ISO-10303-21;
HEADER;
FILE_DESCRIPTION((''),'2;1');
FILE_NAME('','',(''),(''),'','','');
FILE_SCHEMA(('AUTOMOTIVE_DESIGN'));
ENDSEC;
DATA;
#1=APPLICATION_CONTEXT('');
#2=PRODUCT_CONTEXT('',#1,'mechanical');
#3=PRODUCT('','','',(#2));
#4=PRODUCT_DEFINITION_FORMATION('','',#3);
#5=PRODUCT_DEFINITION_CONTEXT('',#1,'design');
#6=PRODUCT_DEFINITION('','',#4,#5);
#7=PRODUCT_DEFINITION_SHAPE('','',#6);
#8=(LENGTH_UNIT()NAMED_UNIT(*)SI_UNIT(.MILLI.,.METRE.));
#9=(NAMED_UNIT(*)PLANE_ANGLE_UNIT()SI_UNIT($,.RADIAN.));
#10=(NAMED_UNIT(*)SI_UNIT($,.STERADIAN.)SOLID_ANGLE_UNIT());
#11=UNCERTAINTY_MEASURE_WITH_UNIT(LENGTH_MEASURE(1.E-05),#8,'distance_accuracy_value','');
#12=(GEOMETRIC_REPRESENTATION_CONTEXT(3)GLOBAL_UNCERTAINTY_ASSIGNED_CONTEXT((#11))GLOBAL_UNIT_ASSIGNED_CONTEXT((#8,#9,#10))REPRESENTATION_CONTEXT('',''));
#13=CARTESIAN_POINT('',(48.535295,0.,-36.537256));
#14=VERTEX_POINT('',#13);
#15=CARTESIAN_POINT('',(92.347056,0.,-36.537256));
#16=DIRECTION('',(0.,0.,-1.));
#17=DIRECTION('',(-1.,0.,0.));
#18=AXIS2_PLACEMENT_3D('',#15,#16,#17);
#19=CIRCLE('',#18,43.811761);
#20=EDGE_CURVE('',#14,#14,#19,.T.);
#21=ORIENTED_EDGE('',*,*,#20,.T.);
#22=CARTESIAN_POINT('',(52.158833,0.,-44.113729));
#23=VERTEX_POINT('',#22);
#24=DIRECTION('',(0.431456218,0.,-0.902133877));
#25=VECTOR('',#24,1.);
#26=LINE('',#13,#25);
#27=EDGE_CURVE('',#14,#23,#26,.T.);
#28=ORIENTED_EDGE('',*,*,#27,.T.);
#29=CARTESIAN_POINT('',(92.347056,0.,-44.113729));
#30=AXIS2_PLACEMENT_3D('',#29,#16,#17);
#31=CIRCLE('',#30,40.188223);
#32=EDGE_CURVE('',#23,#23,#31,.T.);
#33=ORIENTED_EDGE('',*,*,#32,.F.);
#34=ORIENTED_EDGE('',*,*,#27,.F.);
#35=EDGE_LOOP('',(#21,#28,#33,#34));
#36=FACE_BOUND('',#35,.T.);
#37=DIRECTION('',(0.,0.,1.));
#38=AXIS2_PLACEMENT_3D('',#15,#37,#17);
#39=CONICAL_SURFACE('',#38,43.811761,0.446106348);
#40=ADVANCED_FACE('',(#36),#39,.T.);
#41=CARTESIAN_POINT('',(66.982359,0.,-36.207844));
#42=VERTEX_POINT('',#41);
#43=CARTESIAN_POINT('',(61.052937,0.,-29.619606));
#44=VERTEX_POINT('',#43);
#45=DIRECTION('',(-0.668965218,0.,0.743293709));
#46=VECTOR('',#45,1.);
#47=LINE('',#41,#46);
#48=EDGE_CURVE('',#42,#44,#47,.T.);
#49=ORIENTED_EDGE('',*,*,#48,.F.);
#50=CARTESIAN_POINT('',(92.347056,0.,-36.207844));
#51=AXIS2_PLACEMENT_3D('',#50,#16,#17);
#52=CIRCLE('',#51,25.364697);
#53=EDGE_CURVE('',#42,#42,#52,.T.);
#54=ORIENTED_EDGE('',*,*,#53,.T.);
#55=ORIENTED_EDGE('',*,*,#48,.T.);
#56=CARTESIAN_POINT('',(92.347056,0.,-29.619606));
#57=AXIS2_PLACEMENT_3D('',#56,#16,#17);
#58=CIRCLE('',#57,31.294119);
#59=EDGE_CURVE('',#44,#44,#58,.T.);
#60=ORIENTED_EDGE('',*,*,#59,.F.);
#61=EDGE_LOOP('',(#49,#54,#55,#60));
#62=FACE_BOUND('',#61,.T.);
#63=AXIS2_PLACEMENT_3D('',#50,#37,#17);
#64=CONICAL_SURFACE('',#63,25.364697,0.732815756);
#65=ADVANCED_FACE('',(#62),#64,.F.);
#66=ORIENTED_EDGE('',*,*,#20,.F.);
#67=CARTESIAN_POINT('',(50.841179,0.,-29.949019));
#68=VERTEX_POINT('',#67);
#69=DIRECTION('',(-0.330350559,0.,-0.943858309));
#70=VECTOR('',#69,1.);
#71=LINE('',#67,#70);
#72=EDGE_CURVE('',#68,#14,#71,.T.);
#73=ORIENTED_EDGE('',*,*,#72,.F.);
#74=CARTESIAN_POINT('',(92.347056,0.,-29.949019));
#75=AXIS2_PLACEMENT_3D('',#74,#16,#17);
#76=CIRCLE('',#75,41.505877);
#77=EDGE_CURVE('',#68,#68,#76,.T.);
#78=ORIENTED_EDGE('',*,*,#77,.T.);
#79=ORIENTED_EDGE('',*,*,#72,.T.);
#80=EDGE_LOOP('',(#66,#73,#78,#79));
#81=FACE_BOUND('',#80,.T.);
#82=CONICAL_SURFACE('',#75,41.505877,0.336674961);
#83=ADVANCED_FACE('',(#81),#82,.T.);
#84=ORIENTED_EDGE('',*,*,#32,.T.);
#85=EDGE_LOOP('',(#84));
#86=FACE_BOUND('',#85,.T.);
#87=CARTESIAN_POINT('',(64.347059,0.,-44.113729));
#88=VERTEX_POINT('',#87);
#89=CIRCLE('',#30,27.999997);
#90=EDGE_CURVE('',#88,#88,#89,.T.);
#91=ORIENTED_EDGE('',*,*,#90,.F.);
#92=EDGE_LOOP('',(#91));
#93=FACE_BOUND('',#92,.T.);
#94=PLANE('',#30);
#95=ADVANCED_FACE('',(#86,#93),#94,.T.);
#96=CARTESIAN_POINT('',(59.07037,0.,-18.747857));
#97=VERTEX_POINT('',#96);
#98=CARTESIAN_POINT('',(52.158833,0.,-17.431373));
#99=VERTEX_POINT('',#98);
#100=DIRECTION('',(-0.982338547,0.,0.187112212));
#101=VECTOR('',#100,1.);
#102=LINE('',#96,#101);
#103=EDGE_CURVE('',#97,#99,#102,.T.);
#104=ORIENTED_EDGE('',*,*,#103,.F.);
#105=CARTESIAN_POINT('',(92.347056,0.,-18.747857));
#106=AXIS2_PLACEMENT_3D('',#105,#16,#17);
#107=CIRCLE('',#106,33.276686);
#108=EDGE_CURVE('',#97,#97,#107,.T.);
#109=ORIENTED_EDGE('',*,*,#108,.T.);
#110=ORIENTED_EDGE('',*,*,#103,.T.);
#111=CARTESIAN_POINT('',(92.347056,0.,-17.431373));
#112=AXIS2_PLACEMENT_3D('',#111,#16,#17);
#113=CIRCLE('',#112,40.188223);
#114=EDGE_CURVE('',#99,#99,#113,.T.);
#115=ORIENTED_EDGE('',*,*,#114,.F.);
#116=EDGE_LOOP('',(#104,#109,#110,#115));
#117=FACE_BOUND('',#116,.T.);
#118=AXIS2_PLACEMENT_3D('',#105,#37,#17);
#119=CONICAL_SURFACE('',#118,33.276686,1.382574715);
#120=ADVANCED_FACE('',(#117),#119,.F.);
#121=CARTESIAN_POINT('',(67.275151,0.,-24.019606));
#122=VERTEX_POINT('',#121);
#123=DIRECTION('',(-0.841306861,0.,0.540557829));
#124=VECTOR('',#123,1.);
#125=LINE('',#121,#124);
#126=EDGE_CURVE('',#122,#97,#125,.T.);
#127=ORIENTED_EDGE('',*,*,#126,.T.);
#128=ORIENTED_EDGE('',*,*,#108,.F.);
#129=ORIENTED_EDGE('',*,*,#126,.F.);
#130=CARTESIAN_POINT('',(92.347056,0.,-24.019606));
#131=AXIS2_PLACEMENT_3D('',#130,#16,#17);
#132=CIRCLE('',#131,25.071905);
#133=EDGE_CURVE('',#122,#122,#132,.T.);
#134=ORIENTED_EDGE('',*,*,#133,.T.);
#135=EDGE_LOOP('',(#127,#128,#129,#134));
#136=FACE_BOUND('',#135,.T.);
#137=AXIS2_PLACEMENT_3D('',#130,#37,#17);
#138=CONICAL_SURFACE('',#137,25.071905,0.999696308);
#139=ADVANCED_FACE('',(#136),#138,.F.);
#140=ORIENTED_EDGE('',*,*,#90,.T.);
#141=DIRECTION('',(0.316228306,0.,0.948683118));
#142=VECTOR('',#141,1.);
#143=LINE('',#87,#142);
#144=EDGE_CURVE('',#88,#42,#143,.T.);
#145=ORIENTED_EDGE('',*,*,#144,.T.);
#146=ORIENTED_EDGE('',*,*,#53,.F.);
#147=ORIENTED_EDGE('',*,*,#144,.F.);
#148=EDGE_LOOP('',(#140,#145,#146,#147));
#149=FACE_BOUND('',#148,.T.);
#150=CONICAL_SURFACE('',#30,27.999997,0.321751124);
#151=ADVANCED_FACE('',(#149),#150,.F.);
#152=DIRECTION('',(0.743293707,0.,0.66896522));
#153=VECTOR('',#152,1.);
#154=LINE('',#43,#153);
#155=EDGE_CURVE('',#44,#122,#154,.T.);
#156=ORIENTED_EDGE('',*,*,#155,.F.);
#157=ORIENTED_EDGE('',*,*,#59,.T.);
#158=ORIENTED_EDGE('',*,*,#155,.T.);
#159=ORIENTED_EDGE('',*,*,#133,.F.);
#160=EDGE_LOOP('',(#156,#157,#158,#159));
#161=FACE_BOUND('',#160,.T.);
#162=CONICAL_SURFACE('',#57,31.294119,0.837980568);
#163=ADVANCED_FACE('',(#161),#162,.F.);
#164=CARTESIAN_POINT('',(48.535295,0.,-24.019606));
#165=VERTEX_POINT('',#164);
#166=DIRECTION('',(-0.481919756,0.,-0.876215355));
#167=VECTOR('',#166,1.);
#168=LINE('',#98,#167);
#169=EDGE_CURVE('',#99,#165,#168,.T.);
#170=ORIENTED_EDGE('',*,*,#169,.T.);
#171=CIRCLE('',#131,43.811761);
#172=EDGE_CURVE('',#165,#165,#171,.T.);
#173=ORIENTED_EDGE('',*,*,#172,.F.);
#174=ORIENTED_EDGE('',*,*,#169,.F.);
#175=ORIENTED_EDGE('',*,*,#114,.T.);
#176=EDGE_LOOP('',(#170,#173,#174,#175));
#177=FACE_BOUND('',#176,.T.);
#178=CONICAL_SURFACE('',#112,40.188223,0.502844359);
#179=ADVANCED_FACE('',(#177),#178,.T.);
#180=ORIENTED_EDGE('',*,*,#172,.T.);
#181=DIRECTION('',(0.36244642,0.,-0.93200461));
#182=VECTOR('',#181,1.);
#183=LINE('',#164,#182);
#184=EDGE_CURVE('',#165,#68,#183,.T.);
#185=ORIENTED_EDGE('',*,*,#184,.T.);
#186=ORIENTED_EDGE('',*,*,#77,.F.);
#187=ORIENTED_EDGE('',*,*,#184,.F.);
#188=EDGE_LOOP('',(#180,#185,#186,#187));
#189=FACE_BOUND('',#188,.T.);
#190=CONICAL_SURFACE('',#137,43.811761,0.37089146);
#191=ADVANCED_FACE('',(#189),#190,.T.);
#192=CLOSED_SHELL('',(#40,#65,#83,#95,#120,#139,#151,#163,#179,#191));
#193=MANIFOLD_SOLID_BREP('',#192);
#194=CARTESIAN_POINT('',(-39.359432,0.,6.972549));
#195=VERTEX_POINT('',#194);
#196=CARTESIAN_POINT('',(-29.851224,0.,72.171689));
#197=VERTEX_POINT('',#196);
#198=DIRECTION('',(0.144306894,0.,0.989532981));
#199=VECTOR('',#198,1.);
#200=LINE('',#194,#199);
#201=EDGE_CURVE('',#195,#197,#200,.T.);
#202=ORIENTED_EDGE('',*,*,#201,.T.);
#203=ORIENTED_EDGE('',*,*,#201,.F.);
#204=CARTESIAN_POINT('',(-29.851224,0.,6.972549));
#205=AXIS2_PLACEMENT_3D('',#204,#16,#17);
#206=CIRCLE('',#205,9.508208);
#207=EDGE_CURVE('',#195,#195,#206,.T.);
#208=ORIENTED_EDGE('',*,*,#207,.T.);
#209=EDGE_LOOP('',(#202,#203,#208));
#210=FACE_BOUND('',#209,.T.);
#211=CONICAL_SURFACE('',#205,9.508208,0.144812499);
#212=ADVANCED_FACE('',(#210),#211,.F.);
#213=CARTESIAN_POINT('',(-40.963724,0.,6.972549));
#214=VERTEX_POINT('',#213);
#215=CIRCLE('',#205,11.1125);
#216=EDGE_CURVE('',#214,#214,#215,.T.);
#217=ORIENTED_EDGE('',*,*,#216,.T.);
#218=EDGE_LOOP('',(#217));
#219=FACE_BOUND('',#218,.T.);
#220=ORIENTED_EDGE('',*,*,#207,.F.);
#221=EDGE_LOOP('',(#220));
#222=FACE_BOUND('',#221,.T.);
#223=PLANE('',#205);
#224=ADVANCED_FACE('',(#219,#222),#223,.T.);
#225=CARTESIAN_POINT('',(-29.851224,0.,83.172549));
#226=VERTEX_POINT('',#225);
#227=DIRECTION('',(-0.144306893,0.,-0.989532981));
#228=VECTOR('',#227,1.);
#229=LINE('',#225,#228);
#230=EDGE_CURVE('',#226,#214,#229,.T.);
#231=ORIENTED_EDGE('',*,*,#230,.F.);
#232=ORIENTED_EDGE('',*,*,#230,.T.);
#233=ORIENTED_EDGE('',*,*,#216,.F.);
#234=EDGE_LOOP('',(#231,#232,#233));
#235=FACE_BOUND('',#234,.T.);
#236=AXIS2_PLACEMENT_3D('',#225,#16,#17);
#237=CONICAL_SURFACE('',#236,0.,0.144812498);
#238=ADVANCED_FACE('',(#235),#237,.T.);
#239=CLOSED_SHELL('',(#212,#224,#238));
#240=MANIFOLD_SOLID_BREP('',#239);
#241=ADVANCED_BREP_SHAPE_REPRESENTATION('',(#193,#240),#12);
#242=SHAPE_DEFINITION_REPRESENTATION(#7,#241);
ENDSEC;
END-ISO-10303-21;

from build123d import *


with BuildPart() as f1:
    # F0 (on Front) → F1 (revolve)
    with BuildSketch(Plane.XZ):
        Polygon((-29.851224, 83.172549), (-40.963724, 6.972549), (-39.359432, 6.972549), (-29.851224, 72.171689), align=None)
    revolve(axis=Axis((-29.851224, 0, 77.672119), (0, 0, -1)))


with BuildPart() as f3:
    # F2 (on Front) → F3 (revolve)
    with BuildSketch(Plane.XZ):
        Polygon((59.07037, -18.747857), (52.158833, -17.431373), (48.535295, -24.019606), (50.841179, -29.949019), (48.535295, -36.537256), (52.158833, -44.113729), (64.347059, -44.113729), (66.982359, -36.207844), (61.052937, -29.619606), (67.275151, -24.019606), align=None)
    revolve(axis=Axis((92.347056, 0, -32.749018), (0, 0, -1)))


solid = Compound([f1.part, f3.part])
